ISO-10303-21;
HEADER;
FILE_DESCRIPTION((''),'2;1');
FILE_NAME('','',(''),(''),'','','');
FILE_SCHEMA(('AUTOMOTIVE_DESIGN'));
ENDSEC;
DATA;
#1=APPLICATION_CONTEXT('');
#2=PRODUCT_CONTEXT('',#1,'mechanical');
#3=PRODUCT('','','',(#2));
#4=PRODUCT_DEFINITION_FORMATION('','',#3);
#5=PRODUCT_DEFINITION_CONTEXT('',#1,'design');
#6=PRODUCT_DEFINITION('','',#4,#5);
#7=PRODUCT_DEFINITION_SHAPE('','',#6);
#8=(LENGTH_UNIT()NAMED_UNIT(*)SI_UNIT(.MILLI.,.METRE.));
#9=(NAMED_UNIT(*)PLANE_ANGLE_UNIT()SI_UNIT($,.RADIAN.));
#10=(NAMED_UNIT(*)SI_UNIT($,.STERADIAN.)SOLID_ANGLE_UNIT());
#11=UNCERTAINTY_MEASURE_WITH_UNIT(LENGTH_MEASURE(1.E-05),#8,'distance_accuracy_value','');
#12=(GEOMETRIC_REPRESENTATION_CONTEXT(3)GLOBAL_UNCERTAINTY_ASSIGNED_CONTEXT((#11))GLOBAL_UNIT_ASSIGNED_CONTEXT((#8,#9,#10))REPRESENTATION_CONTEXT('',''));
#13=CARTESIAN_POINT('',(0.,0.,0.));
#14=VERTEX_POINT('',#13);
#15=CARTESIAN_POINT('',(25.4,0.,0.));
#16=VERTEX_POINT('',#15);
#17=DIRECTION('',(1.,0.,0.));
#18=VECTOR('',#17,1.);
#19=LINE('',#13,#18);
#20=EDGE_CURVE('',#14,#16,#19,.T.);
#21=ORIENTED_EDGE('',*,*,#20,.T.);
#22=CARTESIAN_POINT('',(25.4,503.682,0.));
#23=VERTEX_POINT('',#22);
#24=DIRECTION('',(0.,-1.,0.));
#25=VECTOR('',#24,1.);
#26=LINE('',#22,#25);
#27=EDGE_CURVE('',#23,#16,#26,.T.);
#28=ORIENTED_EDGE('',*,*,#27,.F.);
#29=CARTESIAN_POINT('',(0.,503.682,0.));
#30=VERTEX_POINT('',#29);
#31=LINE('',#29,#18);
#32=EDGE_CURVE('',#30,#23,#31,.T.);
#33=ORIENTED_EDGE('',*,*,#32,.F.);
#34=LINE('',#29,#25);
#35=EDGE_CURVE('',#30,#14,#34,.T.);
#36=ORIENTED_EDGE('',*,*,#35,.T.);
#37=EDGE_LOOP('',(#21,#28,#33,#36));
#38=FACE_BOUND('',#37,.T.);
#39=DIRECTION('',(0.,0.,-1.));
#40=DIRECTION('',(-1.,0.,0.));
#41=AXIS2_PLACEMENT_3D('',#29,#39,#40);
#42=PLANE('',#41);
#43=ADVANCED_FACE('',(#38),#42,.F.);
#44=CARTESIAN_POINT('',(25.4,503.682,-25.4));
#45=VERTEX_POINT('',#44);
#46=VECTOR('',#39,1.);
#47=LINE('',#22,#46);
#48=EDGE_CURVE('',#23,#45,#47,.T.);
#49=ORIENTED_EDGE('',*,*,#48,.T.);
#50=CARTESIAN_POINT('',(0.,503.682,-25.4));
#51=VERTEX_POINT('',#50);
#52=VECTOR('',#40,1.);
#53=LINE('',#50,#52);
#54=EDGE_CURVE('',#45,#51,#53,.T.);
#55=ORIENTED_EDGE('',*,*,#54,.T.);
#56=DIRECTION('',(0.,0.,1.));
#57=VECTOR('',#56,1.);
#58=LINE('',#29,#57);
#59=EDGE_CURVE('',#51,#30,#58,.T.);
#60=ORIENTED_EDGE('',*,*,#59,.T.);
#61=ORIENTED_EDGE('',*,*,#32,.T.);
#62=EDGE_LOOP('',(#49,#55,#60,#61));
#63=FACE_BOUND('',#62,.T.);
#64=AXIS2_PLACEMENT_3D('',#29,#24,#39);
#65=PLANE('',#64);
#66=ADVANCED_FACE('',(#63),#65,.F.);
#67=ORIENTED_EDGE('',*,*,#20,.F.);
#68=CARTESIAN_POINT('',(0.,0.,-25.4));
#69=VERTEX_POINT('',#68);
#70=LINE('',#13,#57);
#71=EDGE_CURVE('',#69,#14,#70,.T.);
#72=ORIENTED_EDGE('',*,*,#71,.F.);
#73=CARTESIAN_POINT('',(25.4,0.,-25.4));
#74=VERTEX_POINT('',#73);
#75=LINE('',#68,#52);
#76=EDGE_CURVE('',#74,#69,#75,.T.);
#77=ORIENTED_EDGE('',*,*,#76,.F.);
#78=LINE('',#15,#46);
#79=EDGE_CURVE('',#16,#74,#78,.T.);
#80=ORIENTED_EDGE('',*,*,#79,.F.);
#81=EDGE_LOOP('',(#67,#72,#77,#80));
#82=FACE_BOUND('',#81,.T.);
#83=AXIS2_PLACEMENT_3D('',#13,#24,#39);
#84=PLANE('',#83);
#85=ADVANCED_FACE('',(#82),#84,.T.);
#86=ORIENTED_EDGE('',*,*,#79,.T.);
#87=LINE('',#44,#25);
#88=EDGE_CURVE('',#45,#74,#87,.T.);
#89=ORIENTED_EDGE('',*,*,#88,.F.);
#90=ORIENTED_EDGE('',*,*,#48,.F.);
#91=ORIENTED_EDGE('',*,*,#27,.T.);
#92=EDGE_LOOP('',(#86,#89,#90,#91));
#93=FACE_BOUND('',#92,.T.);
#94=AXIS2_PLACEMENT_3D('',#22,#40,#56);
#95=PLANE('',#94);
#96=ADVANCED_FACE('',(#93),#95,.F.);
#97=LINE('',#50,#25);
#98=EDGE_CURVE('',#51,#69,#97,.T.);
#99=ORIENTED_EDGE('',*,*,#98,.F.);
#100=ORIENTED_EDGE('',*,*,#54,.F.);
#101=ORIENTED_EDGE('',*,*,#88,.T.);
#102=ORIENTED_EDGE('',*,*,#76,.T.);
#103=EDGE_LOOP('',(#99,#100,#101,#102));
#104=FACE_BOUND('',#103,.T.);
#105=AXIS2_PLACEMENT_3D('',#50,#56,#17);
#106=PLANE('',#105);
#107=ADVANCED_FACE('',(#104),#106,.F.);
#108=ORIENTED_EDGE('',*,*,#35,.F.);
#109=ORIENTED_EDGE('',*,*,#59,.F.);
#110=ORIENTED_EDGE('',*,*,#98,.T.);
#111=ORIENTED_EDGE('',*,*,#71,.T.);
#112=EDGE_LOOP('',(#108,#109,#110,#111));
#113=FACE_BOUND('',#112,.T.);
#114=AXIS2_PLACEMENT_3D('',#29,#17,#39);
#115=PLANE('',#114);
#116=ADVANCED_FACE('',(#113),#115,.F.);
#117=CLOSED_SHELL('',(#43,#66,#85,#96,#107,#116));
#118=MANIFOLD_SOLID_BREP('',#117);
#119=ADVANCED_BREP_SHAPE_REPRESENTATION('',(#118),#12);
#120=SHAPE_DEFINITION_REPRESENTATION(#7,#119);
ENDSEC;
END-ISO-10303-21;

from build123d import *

# Parameters (mm, degrees)
SKETCH1_W           = 25.4
SKETCH1_H           = 25.4
BOSS_EXTRUDE1_DEPTH = 503.682


with BuildPart() as part:
    # Sketch1 → Boss-Extrude1 (new body)
    with BuildSketch(Plane(origin=(0, 0, 0), x_dir=(1, 0, 0), z_dir=(0, 1, 0))):
        with Locations((12.7, 12.7)):
            Rectangle(SKETCH1_W, SKETCH1_H)
    extrude(amount=BOSS_EXTRUDE1_DEPTH)


solid = part.part
